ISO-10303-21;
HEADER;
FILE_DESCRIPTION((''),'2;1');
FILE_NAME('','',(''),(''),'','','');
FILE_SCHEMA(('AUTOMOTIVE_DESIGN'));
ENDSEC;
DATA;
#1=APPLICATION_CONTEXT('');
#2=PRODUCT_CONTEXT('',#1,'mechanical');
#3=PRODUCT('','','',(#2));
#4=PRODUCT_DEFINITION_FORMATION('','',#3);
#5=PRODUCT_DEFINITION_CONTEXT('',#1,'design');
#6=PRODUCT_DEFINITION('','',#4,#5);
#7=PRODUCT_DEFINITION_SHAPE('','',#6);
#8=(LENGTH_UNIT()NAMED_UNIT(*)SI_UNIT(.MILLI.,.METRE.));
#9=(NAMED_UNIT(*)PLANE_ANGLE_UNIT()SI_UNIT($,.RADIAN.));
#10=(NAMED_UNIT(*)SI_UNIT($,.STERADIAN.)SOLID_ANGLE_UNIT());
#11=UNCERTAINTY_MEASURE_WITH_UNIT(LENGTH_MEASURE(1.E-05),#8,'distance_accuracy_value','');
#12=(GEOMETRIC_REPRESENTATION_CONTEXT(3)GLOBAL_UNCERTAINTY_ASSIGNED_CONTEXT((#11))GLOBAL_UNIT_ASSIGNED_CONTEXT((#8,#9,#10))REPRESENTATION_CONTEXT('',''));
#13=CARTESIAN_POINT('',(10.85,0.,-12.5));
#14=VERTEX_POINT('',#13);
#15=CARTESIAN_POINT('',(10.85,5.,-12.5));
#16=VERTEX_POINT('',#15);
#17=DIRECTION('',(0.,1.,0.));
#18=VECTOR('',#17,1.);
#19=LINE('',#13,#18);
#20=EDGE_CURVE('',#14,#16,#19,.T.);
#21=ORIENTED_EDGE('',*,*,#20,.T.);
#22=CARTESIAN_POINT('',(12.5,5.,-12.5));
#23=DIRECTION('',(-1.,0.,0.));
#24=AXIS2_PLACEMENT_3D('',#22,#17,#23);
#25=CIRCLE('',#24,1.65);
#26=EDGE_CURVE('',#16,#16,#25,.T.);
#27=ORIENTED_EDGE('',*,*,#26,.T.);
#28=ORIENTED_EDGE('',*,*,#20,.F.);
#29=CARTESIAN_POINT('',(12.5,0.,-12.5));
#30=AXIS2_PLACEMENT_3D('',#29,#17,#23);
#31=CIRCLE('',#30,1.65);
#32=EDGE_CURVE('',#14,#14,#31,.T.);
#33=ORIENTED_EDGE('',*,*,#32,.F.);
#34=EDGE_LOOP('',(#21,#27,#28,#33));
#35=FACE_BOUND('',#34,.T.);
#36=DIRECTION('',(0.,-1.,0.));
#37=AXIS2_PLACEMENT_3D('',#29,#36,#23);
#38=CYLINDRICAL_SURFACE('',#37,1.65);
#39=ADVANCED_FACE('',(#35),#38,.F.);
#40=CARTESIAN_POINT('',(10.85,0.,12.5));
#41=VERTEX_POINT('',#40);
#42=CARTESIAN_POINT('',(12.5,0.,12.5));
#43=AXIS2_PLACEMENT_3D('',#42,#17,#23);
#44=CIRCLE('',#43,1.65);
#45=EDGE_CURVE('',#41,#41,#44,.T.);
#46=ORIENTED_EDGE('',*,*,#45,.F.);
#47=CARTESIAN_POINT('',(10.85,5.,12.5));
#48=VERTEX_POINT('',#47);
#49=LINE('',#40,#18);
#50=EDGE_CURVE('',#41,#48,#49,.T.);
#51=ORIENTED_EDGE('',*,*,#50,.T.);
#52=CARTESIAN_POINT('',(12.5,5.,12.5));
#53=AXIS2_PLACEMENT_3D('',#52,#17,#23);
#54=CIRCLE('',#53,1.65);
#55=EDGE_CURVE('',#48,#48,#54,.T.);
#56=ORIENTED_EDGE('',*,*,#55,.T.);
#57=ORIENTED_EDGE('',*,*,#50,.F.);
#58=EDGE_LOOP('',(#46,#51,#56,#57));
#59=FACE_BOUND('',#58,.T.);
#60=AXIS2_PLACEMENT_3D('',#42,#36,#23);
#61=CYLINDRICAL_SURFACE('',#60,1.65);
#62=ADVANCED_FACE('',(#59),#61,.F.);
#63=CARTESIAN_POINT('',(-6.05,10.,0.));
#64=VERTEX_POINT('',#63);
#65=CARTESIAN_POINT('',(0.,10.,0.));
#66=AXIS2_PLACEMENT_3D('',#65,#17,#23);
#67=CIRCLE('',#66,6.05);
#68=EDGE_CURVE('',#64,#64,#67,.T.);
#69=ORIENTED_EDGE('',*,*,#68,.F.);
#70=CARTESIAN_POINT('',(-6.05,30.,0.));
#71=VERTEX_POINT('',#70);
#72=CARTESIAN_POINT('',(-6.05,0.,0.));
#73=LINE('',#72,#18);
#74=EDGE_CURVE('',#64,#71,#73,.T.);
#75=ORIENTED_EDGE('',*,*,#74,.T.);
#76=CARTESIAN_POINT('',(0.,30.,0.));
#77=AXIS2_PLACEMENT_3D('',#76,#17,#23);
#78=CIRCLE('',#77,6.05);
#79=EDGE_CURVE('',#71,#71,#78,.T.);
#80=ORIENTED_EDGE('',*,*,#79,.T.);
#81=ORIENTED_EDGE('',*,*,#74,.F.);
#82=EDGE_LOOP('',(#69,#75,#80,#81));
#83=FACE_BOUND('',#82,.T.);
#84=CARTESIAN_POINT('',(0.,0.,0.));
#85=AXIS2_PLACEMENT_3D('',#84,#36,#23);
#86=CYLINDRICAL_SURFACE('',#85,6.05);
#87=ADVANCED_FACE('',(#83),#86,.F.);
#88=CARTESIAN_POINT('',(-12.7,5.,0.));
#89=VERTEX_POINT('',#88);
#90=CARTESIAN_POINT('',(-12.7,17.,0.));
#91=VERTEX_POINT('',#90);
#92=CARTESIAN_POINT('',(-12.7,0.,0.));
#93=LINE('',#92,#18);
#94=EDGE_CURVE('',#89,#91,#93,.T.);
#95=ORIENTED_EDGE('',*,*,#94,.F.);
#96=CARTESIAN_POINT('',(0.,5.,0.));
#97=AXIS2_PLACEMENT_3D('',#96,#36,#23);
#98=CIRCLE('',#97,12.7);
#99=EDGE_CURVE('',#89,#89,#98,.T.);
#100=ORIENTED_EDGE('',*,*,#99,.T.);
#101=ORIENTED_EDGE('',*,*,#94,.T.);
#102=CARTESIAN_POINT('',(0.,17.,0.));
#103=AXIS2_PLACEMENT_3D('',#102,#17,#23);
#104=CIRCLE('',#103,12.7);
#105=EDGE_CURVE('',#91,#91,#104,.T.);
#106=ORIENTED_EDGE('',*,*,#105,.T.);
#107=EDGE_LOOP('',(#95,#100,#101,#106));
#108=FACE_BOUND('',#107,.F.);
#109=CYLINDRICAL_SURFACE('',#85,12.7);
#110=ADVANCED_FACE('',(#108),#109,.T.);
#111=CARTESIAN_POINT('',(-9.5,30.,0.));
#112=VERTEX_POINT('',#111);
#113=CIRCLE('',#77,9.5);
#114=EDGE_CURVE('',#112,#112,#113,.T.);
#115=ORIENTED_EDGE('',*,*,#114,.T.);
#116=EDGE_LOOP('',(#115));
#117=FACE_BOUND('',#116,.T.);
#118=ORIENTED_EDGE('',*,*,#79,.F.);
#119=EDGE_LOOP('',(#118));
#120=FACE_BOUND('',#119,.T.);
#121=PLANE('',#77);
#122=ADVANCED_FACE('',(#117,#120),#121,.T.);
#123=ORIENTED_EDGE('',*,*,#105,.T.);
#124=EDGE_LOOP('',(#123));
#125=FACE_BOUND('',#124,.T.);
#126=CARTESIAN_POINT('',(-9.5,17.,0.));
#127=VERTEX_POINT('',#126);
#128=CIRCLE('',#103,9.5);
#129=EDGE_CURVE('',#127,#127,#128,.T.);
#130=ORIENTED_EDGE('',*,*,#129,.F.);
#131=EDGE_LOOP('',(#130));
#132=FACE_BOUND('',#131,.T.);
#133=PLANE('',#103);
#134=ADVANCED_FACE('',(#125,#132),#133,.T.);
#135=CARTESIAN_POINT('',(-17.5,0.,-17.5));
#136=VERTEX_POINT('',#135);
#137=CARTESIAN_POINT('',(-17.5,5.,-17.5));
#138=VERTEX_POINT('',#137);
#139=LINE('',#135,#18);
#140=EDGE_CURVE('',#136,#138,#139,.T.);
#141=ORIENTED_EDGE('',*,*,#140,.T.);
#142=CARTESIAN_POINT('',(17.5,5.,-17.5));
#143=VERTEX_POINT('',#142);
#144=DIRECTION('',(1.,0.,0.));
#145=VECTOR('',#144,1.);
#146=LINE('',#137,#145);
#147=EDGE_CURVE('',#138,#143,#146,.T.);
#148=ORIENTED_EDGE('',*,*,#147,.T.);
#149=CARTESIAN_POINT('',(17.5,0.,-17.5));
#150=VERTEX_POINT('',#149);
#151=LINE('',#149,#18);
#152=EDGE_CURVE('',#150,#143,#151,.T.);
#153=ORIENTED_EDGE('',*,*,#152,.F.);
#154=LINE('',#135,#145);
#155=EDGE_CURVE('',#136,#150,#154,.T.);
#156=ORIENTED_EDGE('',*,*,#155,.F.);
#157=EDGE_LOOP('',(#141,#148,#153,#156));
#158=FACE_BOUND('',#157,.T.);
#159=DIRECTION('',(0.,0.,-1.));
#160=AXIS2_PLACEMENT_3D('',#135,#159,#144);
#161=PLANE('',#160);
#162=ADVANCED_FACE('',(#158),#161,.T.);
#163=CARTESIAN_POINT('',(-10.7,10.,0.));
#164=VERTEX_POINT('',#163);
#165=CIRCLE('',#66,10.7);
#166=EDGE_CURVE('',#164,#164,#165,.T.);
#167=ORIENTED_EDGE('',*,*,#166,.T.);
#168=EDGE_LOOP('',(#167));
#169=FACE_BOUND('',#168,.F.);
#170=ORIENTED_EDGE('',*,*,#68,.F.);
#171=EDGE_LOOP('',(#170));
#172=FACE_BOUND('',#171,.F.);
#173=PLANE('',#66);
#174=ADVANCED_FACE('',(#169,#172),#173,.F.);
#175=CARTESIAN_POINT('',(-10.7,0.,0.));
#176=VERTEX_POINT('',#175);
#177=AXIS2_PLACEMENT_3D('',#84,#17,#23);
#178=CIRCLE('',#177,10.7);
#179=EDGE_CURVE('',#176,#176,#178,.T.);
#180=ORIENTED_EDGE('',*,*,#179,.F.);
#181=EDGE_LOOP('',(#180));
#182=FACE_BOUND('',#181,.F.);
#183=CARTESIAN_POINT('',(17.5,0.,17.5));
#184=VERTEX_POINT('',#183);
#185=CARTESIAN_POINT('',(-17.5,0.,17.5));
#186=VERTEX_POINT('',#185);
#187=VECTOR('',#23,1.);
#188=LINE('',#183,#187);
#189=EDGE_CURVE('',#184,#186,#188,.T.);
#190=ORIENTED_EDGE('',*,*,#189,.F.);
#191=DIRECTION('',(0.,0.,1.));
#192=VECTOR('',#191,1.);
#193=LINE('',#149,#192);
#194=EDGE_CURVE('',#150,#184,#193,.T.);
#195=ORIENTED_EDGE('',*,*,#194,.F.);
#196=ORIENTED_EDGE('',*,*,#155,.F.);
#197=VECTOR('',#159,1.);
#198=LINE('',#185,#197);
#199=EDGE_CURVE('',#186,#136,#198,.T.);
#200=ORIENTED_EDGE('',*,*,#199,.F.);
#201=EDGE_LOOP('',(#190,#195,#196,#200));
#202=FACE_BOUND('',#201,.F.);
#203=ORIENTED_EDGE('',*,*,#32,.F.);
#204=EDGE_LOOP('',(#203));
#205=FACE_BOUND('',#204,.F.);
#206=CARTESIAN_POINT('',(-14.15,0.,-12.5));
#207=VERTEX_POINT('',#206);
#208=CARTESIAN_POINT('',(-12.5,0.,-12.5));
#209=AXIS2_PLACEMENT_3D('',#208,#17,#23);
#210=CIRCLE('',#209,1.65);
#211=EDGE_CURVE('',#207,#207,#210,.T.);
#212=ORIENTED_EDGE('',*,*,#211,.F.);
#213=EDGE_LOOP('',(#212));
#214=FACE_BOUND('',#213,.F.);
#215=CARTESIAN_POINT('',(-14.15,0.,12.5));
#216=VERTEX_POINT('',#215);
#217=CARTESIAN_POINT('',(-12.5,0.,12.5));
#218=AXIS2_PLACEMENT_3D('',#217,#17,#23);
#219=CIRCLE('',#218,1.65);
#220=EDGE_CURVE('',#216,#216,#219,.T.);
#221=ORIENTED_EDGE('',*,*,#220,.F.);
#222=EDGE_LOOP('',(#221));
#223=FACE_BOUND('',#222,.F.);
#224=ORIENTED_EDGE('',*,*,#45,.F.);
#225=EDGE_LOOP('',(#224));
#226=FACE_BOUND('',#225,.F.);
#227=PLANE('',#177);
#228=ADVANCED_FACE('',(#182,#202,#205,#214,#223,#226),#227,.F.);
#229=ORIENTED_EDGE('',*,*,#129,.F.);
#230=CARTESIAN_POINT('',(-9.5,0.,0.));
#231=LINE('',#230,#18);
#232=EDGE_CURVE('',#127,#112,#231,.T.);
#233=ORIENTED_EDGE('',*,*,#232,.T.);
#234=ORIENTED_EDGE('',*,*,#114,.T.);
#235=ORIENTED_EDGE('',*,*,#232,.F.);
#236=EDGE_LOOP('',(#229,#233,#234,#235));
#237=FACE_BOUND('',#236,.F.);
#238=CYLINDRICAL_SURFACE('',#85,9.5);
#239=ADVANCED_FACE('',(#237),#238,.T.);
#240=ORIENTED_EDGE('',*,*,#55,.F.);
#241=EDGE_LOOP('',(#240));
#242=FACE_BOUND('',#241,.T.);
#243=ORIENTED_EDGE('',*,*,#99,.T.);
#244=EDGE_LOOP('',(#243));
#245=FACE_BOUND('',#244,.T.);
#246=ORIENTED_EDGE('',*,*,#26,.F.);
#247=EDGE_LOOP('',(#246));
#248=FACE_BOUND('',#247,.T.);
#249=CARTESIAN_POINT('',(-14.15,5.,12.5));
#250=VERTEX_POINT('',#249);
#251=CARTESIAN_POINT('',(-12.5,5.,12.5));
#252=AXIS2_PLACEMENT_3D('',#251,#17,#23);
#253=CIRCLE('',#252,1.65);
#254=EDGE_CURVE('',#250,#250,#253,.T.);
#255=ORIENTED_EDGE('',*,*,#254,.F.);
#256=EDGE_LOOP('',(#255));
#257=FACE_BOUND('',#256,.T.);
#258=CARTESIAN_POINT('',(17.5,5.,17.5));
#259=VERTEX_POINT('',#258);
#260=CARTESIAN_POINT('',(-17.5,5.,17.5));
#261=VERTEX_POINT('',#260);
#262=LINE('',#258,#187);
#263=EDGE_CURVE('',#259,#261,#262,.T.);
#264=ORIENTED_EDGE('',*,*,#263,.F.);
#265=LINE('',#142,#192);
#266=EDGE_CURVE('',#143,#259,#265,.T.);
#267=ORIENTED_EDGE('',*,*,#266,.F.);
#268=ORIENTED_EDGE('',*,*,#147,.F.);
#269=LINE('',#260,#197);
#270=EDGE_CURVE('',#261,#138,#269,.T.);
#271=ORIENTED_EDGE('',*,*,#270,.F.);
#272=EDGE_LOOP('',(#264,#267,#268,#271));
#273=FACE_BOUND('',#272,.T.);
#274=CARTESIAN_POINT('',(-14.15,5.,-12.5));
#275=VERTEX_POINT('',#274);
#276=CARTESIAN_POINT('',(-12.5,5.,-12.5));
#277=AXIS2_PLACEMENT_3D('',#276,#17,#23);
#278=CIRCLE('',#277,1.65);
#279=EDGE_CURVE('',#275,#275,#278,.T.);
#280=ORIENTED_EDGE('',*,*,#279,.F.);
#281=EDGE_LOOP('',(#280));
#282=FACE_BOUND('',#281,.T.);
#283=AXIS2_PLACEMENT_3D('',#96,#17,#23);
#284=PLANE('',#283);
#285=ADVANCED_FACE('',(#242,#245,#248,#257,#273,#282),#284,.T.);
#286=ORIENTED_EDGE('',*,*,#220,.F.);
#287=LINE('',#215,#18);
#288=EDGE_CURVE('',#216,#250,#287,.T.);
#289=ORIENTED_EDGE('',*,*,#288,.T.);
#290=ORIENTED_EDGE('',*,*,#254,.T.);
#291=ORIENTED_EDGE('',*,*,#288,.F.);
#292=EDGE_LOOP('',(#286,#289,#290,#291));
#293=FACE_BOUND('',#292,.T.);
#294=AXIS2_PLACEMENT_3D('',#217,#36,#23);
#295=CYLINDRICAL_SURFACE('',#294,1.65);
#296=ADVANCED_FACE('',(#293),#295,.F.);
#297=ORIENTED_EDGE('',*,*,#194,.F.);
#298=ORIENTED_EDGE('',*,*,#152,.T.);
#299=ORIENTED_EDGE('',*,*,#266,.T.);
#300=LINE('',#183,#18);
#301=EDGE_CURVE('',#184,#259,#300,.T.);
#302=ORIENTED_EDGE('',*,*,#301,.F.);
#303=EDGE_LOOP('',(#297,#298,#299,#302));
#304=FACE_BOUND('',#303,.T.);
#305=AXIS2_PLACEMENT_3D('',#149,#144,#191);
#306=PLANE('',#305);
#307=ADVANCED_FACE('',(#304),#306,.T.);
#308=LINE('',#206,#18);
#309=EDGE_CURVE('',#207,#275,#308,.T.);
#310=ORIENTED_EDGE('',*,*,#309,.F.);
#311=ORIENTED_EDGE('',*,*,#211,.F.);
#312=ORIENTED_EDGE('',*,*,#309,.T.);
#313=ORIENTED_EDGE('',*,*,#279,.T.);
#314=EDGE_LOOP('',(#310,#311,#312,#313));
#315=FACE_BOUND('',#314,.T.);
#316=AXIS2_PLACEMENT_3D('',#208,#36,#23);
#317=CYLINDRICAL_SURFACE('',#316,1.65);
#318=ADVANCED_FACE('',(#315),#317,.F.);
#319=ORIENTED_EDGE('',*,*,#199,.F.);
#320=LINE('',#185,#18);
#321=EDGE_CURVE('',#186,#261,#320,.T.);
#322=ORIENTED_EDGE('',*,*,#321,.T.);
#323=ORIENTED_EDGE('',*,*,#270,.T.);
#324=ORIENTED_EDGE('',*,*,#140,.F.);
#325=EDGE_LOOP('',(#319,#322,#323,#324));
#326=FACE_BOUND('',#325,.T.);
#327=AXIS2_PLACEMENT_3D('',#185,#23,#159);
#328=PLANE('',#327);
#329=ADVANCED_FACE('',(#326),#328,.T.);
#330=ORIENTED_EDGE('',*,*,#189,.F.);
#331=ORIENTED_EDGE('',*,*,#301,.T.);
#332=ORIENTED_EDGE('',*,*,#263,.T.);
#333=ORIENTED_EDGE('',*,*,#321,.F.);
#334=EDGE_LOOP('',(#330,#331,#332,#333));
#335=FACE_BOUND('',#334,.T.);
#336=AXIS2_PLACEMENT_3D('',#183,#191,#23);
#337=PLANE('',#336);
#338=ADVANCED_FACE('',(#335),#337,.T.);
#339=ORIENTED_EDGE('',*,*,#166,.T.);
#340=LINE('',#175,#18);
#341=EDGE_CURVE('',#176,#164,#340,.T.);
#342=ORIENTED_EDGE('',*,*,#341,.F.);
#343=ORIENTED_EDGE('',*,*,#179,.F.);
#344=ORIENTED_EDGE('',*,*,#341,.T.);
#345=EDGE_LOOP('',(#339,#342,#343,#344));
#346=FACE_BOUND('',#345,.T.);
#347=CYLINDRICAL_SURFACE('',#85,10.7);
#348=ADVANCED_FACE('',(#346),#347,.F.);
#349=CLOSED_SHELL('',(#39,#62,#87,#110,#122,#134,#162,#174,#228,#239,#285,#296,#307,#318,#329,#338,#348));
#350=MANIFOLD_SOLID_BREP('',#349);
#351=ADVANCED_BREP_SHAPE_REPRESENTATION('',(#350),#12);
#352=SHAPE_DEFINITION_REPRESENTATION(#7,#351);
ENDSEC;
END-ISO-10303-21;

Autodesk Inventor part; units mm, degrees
ref_plane "YZ Plane" through (0, 0, 0) normal (1, 0, 0) x (0, 1, 0)
ref_plane "XZ Plane" through (0, 0, 0) normal (0, 1, 0) x (-1, 0, 0)
ref_plane "XY Plane" through (0, 0, 0) normal (0, 0, 1) x (1, 0, 0)
sketch "Sketch1" plane through (0, 0, 0) normal (0, 1, 0) x (-1, 0, 0)
  line L0 (-17.5, 17.5) -> (17.5, 17.5)
  line L1 (17.5, 17.5) -> (17.5, -17.5)
  line L2 (17.5, -17.5) -> (-17.5, -17.5)
  line L3 (-17.5, -17.5) -> (-17.5, 17.5)
  line L4 (-17.5, 17.5) -> (17.5, -17.5) construction
  line L5 (17.5, 17.5) -> (-17.5, -17.5) construction
  circle A0 centre (12.5, -12.5) radius 1.65
  circle A1 centre (12.5, 12.5) radius 1.65
  circle A2 centre (-12.5, 12.5) radius 1.65
  circle A3 centre (-12.5, -12.5) radius 1.65
  circle A4 centre (0, 0) radius 6.05
  circle A5 centre (0, 0) radius 9.5
  circle A6 centre (0, 0) radius 12.7
  circle A7 centre (0, 0) radius 10.7
  dimension "d0" = 35
  dimension "d1" = 35
  dimension "d2" = 3.3
  dimension "d3" = 5
  dimension "d6" = 360
  dimension "d8" = 12.1
  dimension "d9" = 19
  dimension "d14" = 25.4
  dimension "d17" = 21.4
extrude "Extrusion1" add sketch "Sketch1" along normal blind 5 contours L0 L1 L2 L3 | A6
extrude "Extrusion2" add sketch "Sketch1" along normal blind 30 contours A5
extrude "Extrusion3" add sketch "Sketch1" along normal blind 17 contours A6 | A7
extrude "Extrusion4" cut sketch "Sketch1" along normal blind 10 contours A5 | A7
equation "\"d1\" = d0"
properties part number "test de tolerancia"
